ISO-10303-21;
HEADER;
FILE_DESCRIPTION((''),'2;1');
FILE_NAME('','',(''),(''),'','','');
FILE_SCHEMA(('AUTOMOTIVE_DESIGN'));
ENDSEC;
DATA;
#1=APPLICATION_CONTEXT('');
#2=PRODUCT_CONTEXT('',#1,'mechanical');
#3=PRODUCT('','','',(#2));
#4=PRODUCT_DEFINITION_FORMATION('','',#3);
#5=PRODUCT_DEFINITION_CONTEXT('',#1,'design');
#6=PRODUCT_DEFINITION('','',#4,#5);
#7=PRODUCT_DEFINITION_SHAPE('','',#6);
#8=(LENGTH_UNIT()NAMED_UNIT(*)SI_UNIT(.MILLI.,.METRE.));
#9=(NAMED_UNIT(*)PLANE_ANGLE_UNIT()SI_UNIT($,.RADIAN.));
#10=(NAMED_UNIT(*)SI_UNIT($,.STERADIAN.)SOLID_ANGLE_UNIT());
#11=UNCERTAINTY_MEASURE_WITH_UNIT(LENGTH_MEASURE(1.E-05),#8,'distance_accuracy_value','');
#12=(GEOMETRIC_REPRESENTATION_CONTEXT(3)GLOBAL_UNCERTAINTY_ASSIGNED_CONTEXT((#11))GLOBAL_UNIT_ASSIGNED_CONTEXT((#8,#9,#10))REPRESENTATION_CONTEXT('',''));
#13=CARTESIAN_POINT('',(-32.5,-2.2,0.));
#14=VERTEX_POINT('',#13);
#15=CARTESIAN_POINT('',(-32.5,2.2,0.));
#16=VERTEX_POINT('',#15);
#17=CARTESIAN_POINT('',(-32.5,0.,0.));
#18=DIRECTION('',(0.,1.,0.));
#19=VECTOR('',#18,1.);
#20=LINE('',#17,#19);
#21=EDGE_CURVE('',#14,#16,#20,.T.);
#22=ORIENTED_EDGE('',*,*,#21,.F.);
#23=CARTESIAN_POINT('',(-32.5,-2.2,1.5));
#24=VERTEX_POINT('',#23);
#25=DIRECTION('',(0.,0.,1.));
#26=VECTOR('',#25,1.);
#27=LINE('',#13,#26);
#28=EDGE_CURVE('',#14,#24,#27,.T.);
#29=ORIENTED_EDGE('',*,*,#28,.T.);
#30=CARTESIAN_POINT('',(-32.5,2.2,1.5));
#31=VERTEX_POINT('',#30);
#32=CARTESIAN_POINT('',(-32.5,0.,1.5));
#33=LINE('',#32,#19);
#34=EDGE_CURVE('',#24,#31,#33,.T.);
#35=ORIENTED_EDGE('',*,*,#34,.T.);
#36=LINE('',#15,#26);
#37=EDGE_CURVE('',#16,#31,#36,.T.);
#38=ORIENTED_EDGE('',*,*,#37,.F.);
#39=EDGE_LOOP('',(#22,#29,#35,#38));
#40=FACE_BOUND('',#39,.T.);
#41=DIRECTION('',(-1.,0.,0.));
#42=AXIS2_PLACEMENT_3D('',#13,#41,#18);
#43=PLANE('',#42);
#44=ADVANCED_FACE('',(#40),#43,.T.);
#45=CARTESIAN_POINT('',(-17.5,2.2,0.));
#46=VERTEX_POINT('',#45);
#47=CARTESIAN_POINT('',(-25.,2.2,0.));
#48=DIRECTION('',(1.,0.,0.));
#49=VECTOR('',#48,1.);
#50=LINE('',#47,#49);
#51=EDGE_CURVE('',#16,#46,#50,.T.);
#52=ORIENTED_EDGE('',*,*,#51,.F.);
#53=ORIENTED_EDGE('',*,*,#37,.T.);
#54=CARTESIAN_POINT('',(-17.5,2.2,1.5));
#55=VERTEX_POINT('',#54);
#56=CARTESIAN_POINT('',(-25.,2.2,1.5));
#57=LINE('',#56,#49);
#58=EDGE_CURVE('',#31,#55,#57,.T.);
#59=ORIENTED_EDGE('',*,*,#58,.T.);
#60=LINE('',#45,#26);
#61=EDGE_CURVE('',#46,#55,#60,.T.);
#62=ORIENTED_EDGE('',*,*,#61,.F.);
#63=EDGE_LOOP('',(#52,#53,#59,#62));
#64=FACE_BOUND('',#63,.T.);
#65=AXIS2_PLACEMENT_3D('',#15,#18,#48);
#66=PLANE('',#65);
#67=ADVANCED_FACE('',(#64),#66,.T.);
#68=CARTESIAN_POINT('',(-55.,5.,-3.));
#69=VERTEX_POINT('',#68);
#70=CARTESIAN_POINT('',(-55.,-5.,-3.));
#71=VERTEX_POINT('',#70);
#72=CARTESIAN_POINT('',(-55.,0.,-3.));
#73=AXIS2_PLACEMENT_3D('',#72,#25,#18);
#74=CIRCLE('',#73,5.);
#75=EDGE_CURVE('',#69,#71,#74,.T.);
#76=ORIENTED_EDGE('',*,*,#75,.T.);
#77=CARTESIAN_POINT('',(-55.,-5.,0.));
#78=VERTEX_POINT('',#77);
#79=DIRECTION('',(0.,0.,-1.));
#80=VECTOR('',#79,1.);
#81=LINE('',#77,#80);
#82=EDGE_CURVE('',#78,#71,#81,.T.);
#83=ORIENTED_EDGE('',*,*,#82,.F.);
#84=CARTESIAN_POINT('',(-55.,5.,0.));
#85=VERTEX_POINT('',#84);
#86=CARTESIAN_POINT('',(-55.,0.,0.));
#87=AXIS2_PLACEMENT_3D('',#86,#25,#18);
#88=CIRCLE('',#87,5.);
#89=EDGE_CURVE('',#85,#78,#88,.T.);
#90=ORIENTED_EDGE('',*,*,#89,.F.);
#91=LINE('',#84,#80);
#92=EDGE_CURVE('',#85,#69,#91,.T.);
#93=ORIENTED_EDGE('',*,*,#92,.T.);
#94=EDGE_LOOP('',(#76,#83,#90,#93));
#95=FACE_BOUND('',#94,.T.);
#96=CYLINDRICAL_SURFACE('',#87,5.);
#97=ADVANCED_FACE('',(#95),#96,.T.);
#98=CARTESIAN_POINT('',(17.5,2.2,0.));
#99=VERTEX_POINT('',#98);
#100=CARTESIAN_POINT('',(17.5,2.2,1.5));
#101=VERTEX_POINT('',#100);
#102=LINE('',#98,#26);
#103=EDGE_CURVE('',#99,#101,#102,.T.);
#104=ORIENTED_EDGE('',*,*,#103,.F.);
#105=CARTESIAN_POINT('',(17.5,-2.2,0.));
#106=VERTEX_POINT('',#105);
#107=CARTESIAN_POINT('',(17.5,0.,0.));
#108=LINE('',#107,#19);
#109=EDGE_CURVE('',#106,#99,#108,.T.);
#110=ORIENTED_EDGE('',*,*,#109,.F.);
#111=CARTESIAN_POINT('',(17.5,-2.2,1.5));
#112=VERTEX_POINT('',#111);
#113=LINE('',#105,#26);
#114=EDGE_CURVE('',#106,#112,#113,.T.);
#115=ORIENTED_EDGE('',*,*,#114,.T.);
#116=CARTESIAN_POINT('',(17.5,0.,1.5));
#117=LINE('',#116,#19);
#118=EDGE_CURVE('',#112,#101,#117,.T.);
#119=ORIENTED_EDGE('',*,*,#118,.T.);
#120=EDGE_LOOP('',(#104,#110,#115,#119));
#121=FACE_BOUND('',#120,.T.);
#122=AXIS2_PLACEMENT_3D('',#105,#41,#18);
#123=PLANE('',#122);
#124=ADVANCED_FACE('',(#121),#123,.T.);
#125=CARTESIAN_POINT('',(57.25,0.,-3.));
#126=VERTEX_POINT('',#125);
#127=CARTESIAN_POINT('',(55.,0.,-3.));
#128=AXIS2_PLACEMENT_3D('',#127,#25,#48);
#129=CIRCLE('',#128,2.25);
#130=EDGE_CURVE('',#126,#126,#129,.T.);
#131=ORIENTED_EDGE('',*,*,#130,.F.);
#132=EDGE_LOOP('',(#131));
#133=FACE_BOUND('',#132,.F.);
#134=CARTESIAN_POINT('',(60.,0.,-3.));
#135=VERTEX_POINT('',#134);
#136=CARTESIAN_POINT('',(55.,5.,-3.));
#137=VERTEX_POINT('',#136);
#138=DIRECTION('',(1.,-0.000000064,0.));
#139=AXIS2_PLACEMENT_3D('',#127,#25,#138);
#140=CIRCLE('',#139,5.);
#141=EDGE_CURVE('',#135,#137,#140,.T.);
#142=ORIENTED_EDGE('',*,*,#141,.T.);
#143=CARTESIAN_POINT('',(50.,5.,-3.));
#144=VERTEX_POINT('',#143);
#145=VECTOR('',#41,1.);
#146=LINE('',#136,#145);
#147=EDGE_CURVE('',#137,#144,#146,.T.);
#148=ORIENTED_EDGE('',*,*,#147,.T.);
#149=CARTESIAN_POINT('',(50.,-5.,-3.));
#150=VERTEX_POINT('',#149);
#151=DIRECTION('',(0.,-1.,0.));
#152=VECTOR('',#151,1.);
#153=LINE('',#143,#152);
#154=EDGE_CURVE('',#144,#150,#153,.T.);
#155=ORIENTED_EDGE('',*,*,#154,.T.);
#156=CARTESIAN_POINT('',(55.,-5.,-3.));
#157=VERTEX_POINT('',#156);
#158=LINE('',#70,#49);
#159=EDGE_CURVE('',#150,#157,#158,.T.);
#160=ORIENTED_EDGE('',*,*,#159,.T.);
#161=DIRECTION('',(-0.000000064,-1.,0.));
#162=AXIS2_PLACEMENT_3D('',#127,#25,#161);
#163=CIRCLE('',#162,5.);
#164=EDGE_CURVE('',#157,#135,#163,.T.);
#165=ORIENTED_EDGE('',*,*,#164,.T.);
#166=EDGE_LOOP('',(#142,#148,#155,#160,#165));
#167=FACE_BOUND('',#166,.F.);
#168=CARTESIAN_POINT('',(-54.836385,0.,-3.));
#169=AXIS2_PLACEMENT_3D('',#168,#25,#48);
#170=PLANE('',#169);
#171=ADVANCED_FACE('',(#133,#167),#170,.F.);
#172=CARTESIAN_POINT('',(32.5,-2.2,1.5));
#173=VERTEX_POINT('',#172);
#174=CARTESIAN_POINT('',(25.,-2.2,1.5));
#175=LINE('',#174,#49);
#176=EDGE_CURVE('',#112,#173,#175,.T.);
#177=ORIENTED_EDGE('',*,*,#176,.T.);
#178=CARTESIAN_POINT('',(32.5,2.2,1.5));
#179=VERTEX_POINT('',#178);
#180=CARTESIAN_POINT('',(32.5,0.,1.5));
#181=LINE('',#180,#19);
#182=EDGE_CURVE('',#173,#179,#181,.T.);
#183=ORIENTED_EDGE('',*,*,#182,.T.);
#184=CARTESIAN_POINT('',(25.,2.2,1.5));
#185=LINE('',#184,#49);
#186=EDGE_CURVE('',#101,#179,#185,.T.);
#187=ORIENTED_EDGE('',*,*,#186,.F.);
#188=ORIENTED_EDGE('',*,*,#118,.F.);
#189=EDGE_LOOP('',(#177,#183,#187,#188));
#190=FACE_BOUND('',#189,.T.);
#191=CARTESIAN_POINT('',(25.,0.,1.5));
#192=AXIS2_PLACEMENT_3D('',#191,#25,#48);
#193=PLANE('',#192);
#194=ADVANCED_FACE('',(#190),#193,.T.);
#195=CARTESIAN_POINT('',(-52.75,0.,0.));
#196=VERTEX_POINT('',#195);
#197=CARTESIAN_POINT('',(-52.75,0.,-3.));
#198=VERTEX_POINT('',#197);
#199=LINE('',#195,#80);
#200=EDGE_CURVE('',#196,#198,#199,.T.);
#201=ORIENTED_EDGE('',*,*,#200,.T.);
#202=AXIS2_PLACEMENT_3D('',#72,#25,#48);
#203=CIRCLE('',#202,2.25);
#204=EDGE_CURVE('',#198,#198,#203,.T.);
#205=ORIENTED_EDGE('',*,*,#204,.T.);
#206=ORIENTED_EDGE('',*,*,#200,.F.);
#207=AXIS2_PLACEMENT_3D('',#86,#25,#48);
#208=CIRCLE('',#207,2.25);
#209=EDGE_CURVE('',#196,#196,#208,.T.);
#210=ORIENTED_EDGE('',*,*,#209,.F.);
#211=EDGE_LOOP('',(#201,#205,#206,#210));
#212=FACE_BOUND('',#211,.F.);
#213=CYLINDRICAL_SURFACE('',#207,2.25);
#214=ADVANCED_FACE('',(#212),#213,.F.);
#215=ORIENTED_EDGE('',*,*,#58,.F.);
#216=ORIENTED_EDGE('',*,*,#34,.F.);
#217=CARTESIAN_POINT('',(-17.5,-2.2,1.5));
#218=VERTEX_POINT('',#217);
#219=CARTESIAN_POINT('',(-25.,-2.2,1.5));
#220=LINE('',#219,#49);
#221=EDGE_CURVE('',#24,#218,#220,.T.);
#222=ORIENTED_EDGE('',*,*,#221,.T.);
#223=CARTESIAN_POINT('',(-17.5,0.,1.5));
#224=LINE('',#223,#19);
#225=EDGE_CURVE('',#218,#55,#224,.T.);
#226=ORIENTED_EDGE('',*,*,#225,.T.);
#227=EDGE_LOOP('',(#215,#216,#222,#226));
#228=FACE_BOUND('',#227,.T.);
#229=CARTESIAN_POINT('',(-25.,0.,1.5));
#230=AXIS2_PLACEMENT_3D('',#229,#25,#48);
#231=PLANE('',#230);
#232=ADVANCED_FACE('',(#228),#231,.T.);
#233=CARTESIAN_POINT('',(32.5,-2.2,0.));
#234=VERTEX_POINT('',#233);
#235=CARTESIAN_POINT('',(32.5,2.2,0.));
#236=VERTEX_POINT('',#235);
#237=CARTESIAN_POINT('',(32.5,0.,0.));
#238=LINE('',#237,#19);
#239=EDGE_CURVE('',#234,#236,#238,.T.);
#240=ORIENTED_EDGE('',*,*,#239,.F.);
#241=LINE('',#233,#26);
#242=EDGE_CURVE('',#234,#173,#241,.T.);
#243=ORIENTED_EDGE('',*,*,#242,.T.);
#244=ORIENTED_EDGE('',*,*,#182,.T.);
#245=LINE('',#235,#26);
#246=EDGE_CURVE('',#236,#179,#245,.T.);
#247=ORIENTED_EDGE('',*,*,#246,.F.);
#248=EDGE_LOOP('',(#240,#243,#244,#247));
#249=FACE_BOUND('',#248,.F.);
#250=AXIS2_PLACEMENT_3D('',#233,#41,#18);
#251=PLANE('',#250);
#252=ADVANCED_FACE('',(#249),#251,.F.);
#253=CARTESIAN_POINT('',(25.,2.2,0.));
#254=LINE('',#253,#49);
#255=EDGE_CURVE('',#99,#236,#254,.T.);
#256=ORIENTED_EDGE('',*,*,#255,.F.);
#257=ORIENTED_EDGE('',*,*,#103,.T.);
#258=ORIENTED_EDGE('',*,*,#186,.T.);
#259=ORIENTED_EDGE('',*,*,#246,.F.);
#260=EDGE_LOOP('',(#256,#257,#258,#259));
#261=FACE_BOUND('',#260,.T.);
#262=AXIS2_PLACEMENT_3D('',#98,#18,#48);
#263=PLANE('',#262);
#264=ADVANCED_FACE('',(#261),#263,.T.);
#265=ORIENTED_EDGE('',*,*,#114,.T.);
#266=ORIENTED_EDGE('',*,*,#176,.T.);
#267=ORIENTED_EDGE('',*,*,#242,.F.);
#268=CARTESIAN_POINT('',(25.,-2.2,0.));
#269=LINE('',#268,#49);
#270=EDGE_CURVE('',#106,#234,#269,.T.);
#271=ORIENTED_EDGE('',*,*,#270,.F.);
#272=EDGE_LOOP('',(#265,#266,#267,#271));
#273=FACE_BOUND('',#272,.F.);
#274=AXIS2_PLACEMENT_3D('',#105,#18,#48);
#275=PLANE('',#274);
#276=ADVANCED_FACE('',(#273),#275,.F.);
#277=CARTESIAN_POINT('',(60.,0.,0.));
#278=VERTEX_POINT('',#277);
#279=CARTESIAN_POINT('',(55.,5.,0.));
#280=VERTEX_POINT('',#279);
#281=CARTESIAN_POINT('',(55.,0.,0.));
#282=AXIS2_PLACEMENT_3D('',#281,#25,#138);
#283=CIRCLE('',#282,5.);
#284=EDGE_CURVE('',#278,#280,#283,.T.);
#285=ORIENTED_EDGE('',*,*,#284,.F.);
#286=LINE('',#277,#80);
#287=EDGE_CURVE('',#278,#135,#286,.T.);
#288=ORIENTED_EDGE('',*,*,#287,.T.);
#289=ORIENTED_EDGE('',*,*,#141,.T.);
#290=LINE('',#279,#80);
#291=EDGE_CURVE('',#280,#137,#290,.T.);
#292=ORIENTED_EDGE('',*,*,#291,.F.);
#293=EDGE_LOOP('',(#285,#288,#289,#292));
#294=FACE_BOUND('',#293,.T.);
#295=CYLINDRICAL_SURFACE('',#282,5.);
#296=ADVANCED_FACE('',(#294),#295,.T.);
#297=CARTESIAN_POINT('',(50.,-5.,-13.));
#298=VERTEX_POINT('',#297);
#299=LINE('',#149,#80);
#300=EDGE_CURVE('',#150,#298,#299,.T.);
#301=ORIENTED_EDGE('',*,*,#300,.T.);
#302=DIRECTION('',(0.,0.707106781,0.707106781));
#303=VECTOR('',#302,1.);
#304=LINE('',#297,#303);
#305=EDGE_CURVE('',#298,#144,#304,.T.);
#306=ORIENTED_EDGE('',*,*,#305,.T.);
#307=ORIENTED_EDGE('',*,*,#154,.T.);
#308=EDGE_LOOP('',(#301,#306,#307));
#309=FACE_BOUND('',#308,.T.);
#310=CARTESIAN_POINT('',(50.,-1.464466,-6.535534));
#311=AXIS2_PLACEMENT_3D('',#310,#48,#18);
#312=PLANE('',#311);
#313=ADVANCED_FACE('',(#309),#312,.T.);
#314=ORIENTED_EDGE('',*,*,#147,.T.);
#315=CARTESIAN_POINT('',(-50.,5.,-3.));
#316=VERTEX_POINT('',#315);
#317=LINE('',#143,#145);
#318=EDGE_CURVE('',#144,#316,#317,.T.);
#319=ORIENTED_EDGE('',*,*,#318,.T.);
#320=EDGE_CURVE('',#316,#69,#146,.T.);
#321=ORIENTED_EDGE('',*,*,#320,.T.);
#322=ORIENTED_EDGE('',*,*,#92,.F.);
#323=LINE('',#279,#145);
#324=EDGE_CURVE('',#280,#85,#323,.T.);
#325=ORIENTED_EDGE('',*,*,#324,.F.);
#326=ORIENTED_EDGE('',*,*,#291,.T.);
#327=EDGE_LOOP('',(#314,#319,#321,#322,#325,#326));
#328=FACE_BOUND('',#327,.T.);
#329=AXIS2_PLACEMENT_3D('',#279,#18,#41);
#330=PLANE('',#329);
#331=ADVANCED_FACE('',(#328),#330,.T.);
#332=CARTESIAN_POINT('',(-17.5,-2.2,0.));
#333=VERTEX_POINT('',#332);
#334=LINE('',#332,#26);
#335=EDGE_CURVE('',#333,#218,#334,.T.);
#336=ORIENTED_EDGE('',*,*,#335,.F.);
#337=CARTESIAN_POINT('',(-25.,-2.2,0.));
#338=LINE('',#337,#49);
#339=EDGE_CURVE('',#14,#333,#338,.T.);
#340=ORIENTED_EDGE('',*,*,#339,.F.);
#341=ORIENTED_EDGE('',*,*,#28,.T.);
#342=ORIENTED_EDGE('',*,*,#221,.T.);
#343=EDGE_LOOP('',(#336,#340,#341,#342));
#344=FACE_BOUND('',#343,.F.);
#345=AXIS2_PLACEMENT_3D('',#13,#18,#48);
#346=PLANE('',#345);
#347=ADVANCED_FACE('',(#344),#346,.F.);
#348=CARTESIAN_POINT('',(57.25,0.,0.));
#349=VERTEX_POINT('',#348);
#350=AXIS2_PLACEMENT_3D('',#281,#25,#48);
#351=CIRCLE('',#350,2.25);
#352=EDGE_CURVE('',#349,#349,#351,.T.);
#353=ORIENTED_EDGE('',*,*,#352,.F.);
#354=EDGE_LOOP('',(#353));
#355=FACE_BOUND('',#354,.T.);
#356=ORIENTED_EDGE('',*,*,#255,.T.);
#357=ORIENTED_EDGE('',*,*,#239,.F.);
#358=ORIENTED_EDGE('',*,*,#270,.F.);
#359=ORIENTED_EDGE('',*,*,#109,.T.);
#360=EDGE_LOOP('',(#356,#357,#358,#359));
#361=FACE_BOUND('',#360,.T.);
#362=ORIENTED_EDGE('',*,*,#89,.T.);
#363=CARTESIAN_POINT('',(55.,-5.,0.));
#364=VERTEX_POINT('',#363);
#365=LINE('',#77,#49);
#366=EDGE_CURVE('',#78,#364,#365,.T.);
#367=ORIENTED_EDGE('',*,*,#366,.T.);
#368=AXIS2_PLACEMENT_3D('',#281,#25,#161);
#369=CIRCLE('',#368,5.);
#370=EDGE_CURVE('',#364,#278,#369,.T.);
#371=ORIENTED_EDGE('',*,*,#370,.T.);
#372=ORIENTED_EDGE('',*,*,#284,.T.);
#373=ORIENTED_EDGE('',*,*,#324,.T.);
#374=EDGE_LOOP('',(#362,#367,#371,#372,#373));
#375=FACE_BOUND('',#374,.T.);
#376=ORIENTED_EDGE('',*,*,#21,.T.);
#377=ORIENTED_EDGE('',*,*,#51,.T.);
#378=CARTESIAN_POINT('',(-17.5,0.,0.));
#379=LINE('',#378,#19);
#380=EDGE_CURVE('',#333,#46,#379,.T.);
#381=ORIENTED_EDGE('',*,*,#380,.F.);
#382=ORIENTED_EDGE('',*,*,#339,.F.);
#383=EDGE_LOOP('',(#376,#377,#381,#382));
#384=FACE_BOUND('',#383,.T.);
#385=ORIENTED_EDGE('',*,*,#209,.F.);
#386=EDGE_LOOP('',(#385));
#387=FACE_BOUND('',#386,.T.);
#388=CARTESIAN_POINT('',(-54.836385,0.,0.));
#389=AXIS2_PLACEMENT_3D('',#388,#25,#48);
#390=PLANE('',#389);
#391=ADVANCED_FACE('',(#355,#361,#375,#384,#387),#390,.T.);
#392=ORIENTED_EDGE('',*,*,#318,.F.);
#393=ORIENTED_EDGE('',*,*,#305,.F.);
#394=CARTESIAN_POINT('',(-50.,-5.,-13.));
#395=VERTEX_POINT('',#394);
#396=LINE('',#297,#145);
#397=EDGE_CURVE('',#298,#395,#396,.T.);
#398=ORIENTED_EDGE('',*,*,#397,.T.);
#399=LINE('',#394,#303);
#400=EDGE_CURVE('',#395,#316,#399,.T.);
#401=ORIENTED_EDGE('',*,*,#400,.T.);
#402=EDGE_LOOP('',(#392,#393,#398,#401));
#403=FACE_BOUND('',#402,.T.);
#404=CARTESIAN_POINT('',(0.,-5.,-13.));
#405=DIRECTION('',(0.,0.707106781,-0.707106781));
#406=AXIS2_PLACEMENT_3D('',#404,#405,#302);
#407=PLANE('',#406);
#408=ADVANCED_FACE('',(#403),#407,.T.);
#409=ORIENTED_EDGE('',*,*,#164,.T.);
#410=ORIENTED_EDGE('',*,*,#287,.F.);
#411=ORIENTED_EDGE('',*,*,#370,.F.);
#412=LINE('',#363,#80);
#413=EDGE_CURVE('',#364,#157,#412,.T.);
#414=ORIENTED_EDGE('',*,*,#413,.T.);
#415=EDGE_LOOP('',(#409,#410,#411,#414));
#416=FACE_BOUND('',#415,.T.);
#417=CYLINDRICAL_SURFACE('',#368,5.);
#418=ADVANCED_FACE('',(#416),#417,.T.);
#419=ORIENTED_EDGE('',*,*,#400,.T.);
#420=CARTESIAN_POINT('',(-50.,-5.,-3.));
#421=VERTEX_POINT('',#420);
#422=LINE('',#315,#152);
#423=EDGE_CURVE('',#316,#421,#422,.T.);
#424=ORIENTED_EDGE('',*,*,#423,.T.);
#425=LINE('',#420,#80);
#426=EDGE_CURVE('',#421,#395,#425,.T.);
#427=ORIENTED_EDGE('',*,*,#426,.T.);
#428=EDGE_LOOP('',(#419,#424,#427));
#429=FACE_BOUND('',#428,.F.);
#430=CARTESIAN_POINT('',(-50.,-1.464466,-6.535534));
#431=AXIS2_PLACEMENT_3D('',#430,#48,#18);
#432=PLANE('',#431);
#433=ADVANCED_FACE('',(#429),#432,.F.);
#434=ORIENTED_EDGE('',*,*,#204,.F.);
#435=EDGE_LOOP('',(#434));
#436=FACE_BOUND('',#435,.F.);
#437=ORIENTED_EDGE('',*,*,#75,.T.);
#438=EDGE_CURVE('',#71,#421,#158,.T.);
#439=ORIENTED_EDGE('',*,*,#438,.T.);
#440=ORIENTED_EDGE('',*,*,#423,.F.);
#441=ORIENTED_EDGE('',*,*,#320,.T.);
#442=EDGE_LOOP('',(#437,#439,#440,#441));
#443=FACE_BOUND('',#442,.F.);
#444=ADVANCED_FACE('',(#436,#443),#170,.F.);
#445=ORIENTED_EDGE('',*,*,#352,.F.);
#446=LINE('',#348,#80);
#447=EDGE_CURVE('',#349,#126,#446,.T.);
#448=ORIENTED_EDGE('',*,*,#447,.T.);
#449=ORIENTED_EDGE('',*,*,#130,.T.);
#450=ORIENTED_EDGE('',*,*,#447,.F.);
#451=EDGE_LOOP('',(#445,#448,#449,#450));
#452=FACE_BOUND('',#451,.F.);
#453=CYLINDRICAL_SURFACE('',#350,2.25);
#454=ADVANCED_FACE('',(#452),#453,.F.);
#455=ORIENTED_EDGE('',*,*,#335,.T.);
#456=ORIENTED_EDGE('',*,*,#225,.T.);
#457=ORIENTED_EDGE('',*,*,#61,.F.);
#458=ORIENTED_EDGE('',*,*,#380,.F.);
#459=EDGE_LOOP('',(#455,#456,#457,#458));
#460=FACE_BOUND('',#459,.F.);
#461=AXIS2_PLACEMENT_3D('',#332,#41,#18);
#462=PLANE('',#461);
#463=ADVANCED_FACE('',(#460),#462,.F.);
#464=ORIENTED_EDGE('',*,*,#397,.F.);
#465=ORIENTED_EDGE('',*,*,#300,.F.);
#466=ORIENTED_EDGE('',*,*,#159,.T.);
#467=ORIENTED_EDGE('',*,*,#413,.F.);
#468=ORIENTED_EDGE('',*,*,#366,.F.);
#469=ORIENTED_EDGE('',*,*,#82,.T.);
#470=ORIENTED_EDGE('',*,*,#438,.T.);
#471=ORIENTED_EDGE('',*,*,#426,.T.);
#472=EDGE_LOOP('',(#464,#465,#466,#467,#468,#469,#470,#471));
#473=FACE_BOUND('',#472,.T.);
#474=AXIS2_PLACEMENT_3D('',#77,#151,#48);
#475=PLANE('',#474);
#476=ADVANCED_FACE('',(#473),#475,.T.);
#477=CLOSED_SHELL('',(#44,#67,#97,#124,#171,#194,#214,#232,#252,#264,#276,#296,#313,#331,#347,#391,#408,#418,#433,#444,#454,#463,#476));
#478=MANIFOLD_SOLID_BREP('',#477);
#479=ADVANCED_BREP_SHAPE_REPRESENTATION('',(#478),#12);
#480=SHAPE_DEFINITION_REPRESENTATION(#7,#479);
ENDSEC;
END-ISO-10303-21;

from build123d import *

# Parameters (mm, degrees)
F0_R     = 2.25
F0_W     = 15
F0_H     = 4.4
F1_DEPTH = 3
F2_DEPTH = 1.5
F4_DEPTH = 50


with BuildPart() as f1:
    # F0 (on Top) → F1 (new body)
    with BuildSketch(Plane.XY):
        with BuildLine():
            ThreePointArc((-50, 0), (-51.464466, 3.535534), (-55, 5))
            ThreePointArc((-55, 5), (-60, 0), (-55, -5))
            ThreePointArc((-55, -5), (-51.464466, -3.535534), (-50, 0))
        make_face()
        with Locations((-55, 0)):
            Circle(F0_R, mode=Mode.SUBTRACT)
        with BuildLine():
            ThreePointArc((55, -5), (50, 0), (55, 5))
            Line((55, 5), (-55, 5))
            ThreePointArc((-55, 5), (-51.464466, 3.535534), (-50, 0))
            ThreePointArc((-50, 0), (-51.464466, -3.535534), (-55, -5))
            Line((-55, -5), (55, -5))
        make_face()
        with Locations((-25, 0)):
            Rectangle(F0_W, F0_H, mode=Mode.SUBTRACT)
        with Locations((25, 0)):
            Rectangle(F0_W, F0_H, mode=Mode.SUBTRACT)
        with Locations((-25, 0)):
            Rectangle(F0_W, F0_H)
        with Locations((25, 0)):
            Rectangle(F0_W, F0_H)
        with BuildLine():
            ThreePointArc((55, -5), (58.535534, -3.535534), (60, 0))
            ThreePointArc((60, 0), (58.535534, 3.535534), (55, 5))
            ThreePointArc((55, 5), (50, 0), (55, -5))
        make_face()
        with Locations((55, 0)):
            Circle(F0_R, mode=Mode.SUBTRACT)
    extrude(amount=-F1_DEPTH)

    # F0 (on Top) → F2 (join)
    with BuildSketch(Plane.XY):
        with Locations((-25, 0)):
            Rectangle(F0_W, F0_H)
        with Locations((25, 0)):
            Rectangle(F0_W, F0_H)
    extrude(amount=F2_DEPTH)

    # F3 (on Right) → F4 (join, symmetric)
    with BuildSketch(Plane.YZ):
        Polygon((5, -3), (-5, -3), (-5, -13), align=None)
    extrude(amount=F4_DEPTH, both=True)


solid = f1.part
